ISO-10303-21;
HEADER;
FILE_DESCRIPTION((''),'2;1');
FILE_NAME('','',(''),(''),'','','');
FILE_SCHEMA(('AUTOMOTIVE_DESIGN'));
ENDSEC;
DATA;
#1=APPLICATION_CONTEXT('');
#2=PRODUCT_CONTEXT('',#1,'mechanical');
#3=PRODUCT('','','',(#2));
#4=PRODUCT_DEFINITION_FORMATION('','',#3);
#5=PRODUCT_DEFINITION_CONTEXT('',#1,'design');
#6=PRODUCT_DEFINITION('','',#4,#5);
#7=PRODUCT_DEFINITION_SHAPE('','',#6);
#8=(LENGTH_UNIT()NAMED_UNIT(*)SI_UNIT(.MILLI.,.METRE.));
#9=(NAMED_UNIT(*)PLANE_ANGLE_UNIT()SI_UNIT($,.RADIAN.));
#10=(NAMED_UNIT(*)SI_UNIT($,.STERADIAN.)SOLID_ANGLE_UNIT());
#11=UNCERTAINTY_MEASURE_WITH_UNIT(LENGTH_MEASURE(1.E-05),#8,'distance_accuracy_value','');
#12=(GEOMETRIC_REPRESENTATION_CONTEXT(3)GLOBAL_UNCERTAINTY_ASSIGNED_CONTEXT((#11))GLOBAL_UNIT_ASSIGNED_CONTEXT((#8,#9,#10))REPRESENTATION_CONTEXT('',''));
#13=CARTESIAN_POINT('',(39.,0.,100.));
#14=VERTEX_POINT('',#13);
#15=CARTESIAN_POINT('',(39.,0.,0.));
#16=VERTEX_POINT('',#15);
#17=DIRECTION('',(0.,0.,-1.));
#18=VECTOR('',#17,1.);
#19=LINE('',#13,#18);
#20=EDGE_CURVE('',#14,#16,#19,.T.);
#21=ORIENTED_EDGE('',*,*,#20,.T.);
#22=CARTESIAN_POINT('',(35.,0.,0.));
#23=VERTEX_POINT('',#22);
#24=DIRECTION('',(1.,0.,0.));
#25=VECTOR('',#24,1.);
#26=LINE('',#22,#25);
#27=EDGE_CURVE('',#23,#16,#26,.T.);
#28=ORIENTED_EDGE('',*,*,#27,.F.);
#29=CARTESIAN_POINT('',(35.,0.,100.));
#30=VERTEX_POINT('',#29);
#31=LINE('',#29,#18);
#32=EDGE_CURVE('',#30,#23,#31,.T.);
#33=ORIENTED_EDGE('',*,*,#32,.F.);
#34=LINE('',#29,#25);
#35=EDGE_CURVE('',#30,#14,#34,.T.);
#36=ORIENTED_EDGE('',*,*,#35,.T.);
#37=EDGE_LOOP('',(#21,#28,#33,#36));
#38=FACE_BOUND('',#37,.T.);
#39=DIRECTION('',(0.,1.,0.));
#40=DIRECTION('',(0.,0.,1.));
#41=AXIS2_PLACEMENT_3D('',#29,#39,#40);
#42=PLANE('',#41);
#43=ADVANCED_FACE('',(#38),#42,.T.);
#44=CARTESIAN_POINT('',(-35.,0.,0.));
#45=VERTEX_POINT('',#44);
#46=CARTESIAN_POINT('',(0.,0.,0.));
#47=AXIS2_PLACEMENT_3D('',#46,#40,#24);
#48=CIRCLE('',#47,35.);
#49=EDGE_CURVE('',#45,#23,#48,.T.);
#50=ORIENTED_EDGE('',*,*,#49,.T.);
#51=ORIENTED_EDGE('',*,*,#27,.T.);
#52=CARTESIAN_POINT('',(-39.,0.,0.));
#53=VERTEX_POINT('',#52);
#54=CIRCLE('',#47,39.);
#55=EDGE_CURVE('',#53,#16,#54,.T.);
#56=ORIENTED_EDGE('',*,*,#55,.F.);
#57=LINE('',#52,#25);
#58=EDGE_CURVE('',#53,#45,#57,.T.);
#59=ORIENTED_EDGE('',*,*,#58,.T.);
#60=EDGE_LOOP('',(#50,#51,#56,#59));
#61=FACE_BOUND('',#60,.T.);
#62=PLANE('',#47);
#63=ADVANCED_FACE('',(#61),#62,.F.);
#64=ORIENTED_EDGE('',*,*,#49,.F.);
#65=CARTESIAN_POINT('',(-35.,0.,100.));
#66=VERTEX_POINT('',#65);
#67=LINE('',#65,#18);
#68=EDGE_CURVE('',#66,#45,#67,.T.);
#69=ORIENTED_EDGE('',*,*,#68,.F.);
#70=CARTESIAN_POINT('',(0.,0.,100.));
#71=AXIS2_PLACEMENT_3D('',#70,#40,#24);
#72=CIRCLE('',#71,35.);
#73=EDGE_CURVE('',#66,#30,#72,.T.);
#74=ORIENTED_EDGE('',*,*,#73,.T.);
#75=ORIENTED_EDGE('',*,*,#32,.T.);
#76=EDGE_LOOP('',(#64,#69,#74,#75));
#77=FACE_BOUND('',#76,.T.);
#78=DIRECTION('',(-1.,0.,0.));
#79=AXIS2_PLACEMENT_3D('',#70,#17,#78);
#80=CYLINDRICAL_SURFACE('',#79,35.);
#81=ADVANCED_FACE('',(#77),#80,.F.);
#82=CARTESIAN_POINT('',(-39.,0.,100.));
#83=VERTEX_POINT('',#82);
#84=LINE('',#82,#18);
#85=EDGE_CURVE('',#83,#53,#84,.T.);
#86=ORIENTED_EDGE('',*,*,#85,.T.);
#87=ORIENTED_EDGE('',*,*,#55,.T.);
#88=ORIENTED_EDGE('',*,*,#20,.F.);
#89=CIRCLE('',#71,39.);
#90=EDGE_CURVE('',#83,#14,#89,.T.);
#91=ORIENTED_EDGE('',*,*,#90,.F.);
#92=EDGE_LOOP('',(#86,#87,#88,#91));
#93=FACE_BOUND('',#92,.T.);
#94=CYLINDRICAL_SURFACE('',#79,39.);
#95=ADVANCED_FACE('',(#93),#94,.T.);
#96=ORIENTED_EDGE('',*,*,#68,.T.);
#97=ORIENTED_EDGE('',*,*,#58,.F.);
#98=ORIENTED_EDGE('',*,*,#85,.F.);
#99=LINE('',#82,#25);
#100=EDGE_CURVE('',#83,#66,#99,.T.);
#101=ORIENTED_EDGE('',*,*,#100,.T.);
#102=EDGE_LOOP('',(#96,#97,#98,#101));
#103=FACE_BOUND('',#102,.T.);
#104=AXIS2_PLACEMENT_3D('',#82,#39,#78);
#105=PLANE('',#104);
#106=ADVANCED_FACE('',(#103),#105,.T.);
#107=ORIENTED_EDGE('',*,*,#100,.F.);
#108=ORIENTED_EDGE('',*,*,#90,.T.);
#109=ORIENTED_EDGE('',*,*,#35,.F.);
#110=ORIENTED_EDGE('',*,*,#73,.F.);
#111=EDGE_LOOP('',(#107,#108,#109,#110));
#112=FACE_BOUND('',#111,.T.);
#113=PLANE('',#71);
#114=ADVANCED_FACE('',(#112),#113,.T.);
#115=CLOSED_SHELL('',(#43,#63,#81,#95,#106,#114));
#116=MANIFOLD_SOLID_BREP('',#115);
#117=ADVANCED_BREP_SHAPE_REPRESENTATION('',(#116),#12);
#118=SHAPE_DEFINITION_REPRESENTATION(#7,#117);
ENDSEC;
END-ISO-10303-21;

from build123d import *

# Parameters (mm, degrees)
EXTRUDE_THIN1_DEPTH = 100


with BuildPart() as part:
    # Sketch1 → Extrude-Thin1 (new body)
    with BuildSketch(Plane.XY):
        with BuildLine():
            ThreePointArc((-35, 0), (0, -35), (35, 0))
            Line((35, 0), (39, 0))
            ThreePointArc((39, 0), (0, -39), (-39, 0))
            Line((-39, 0), (-35, 0))
        make_face()
    extrude(amount=EXTRUDE_THIN1_DEPTH)


solid = part.part
